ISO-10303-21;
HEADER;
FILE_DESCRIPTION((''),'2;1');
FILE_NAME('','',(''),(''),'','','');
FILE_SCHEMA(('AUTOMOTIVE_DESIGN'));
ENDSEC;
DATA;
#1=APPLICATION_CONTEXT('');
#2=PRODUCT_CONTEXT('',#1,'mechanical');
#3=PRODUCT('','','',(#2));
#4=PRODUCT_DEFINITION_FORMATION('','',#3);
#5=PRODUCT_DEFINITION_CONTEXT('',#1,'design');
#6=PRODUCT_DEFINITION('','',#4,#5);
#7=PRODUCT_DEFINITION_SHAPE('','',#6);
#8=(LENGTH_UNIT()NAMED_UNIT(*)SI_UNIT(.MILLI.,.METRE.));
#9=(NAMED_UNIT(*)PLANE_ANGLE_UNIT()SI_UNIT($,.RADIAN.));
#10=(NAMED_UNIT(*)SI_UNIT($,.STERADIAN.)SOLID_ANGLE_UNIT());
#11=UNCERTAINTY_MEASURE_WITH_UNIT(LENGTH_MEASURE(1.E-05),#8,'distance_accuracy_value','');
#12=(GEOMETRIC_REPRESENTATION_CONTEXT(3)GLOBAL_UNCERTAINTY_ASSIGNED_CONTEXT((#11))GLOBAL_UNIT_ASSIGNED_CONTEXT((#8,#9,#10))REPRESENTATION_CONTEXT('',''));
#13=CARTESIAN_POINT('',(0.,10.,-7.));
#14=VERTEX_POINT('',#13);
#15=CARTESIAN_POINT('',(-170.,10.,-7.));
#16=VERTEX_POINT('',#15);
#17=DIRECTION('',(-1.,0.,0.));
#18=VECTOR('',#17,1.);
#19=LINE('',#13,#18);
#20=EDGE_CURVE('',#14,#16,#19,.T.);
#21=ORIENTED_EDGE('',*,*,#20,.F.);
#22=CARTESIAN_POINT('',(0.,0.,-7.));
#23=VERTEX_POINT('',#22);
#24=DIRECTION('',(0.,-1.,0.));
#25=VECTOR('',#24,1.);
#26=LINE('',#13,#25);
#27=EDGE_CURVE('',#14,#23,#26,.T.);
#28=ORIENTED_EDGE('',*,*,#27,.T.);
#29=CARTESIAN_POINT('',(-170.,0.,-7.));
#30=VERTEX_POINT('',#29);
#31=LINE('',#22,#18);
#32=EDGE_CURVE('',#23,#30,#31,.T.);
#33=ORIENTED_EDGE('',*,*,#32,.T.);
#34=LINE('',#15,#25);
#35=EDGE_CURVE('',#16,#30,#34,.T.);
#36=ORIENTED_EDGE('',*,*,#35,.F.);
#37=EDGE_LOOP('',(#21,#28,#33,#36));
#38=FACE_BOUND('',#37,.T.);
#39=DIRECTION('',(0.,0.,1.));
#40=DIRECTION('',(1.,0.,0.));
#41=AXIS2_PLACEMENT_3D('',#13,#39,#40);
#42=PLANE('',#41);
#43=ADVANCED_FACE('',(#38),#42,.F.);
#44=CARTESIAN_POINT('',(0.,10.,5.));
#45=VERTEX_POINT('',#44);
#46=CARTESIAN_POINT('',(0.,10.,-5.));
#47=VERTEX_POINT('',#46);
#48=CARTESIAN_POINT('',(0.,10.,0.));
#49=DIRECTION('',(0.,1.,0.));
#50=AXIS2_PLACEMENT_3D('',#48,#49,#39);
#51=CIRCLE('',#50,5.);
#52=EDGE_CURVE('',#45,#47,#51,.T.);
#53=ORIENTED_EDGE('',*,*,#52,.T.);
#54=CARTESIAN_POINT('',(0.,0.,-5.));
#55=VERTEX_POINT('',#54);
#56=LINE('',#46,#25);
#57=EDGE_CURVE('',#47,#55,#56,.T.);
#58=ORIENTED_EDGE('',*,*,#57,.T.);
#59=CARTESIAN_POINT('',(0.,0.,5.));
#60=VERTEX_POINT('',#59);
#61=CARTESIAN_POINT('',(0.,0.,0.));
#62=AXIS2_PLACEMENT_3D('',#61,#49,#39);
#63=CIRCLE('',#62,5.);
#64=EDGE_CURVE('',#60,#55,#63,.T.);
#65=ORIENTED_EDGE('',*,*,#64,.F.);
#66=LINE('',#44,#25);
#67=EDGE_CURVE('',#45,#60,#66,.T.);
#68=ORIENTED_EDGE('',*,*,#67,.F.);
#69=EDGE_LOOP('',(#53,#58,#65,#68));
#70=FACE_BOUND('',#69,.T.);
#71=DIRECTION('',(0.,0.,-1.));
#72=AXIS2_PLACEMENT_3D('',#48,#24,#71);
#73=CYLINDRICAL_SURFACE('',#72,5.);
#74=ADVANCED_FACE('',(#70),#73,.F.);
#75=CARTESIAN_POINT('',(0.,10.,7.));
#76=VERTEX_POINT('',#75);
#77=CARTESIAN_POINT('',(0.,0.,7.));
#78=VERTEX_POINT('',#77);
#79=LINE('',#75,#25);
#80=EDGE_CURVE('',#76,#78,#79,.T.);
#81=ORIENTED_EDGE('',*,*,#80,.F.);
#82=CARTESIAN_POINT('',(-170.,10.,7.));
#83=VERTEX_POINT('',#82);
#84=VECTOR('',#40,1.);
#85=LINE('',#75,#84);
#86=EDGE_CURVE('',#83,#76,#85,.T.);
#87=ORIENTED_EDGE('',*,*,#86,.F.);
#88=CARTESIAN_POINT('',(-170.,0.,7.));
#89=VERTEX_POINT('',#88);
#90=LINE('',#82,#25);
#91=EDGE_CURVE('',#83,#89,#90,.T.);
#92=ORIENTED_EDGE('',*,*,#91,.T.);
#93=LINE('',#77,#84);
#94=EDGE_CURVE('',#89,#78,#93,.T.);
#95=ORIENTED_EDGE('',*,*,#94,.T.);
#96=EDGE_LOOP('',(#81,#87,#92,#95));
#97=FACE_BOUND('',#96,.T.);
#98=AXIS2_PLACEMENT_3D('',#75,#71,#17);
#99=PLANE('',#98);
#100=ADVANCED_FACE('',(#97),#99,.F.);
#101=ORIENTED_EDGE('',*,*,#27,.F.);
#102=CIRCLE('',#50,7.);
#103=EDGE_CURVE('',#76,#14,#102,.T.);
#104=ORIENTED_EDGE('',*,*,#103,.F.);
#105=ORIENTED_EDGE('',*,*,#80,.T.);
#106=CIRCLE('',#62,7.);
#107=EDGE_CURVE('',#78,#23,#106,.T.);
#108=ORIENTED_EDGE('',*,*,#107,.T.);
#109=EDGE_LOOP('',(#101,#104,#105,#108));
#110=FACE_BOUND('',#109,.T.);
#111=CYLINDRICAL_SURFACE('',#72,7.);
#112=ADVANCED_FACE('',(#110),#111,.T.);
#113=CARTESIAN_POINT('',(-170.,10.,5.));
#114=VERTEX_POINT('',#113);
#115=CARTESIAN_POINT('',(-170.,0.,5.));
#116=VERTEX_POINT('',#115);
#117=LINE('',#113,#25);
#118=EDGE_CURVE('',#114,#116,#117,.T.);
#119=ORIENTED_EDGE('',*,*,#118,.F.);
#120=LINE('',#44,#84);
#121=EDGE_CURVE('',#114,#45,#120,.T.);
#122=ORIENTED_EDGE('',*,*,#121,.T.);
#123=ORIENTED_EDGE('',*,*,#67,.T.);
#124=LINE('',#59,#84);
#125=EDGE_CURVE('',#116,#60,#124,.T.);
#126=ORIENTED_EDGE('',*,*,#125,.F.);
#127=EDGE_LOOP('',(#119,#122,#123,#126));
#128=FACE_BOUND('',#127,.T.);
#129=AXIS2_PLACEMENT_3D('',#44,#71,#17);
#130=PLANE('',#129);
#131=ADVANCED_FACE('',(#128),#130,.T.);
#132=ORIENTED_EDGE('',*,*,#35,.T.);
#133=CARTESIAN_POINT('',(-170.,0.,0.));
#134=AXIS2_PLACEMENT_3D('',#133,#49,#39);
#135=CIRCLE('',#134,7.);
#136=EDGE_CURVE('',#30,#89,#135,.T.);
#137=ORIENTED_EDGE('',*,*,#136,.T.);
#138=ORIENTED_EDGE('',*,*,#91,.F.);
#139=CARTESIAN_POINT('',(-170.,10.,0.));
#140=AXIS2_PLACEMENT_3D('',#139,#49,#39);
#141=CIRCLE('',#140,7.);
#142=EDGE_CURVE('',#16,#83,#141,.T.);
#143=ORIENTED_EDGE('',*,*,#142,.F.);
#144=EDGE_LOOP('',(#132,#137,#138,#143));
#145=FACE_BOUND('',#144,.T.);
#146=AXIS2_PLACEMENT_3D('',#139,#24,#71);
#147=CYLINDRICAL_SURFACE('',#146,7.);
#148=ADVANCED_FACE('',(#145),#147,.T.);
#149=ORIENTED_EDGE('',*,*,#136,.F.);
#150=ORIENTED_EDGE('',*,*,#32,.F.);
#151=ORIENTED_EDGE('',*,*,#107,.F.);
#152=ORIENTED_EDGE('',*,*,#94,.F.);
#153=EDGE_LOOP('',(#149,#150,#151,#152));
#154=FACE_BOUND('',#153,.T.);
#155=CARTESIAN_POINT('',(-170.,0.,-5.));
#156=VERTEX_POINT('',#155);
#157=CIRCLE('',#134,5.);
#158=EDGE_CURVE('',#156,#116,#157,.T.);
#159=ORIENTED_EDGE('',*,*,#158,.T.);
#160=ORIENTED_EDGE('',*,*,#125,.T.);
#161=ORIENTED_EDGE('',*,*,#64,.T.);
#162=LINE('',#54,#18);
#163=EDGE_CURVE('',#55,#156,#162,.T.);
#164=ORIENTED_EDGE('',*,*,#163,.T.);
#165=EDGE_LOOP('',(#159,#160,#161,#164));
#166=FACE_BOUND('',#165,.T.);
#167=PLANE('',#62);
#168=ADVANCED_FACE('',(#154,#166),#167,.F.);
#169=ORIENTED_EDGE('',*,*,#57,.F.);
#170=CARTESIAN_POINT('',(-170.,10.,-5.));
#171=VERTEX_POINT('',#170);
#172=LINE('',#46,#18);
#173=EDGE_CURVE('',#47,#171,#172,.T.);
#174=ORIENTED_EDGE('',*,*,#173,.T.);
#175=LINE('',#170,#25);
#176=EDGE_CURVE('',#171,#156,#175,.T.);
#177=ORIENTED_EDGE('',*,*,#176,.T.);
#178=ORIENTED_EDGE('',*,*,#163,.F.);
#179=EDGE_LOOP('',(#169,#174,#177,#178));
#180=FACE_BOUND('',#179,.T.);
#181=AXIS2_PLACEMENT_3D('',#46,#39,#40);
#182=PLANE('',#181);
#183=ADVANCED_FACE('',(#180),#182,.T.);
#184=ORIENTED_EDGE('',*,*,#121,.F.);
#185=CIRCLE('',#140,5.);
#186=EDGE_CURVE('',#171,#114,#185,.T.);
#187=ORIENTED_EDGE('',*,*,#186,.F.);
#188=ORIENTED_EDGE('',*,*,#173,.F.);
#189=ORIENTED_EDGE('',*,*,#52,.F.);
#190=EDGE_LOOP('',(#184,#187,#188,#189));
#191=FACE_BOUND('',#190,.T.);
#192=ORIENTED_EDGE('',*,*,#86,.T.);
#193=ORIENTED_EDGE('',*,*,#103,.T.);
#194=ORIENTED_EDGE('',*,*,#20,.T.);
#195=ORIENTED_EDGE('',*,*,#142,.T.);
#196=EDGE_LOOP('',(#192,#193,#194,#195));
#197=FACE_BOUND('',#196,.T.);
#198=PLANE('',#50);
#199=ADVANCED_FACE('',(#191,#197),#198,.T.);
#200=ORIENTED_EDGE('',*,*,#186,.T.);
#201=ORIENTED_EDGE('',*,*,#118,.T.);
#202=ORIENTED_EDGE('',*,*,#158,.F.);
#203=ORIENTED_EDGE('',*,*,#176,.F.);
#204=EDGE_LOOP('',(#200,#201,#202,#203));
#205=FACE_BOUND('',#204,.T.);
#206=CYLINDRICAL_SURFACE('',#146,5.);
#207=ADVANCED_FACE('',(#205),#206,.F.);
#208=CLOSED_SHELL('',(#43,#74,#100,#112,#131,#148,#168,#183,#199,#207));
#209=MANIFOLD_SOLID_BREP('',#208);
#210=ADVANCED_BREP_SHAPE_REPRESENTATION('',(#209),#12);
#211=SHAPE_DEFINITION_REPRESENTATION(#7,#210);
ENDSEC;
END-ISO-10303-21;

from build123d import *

# Parameters (mm, degrees)
EXTRUDE_1_DEPTH = 10


with BuildPart() as part:
    # 草图1 → 凸台-拉伸1 (new body)
    with BuildSketch(Plane(origin=(0, 0, 0), x_dir=(1, 0, 0), z_dir=(0, 1, 0))):
        with BuildLine():
            Line((0, -7), (-170, -7))
            ThreePointArc((-170, -7), (-177, 0), (-170, 7))
            Line((-170, 7), (0, 7))
            ThreePointArc((0, 7), (7, 0), (0, -7))
        make_face()
        with BuildLine():
            Line((0, -5), (-170, -5))
            ThreePointArc((-170, -5), (-175, 0), (-170, 5))
            Line((-170, 5), (0, 5))
            ThreePointArc((0, 5), (5, 0), (0, -5))
        make_face(mode=Mode.SUBTRACT)
    extrude(amount=EXTRUDE_1_DEPTH)


solid = part.part
